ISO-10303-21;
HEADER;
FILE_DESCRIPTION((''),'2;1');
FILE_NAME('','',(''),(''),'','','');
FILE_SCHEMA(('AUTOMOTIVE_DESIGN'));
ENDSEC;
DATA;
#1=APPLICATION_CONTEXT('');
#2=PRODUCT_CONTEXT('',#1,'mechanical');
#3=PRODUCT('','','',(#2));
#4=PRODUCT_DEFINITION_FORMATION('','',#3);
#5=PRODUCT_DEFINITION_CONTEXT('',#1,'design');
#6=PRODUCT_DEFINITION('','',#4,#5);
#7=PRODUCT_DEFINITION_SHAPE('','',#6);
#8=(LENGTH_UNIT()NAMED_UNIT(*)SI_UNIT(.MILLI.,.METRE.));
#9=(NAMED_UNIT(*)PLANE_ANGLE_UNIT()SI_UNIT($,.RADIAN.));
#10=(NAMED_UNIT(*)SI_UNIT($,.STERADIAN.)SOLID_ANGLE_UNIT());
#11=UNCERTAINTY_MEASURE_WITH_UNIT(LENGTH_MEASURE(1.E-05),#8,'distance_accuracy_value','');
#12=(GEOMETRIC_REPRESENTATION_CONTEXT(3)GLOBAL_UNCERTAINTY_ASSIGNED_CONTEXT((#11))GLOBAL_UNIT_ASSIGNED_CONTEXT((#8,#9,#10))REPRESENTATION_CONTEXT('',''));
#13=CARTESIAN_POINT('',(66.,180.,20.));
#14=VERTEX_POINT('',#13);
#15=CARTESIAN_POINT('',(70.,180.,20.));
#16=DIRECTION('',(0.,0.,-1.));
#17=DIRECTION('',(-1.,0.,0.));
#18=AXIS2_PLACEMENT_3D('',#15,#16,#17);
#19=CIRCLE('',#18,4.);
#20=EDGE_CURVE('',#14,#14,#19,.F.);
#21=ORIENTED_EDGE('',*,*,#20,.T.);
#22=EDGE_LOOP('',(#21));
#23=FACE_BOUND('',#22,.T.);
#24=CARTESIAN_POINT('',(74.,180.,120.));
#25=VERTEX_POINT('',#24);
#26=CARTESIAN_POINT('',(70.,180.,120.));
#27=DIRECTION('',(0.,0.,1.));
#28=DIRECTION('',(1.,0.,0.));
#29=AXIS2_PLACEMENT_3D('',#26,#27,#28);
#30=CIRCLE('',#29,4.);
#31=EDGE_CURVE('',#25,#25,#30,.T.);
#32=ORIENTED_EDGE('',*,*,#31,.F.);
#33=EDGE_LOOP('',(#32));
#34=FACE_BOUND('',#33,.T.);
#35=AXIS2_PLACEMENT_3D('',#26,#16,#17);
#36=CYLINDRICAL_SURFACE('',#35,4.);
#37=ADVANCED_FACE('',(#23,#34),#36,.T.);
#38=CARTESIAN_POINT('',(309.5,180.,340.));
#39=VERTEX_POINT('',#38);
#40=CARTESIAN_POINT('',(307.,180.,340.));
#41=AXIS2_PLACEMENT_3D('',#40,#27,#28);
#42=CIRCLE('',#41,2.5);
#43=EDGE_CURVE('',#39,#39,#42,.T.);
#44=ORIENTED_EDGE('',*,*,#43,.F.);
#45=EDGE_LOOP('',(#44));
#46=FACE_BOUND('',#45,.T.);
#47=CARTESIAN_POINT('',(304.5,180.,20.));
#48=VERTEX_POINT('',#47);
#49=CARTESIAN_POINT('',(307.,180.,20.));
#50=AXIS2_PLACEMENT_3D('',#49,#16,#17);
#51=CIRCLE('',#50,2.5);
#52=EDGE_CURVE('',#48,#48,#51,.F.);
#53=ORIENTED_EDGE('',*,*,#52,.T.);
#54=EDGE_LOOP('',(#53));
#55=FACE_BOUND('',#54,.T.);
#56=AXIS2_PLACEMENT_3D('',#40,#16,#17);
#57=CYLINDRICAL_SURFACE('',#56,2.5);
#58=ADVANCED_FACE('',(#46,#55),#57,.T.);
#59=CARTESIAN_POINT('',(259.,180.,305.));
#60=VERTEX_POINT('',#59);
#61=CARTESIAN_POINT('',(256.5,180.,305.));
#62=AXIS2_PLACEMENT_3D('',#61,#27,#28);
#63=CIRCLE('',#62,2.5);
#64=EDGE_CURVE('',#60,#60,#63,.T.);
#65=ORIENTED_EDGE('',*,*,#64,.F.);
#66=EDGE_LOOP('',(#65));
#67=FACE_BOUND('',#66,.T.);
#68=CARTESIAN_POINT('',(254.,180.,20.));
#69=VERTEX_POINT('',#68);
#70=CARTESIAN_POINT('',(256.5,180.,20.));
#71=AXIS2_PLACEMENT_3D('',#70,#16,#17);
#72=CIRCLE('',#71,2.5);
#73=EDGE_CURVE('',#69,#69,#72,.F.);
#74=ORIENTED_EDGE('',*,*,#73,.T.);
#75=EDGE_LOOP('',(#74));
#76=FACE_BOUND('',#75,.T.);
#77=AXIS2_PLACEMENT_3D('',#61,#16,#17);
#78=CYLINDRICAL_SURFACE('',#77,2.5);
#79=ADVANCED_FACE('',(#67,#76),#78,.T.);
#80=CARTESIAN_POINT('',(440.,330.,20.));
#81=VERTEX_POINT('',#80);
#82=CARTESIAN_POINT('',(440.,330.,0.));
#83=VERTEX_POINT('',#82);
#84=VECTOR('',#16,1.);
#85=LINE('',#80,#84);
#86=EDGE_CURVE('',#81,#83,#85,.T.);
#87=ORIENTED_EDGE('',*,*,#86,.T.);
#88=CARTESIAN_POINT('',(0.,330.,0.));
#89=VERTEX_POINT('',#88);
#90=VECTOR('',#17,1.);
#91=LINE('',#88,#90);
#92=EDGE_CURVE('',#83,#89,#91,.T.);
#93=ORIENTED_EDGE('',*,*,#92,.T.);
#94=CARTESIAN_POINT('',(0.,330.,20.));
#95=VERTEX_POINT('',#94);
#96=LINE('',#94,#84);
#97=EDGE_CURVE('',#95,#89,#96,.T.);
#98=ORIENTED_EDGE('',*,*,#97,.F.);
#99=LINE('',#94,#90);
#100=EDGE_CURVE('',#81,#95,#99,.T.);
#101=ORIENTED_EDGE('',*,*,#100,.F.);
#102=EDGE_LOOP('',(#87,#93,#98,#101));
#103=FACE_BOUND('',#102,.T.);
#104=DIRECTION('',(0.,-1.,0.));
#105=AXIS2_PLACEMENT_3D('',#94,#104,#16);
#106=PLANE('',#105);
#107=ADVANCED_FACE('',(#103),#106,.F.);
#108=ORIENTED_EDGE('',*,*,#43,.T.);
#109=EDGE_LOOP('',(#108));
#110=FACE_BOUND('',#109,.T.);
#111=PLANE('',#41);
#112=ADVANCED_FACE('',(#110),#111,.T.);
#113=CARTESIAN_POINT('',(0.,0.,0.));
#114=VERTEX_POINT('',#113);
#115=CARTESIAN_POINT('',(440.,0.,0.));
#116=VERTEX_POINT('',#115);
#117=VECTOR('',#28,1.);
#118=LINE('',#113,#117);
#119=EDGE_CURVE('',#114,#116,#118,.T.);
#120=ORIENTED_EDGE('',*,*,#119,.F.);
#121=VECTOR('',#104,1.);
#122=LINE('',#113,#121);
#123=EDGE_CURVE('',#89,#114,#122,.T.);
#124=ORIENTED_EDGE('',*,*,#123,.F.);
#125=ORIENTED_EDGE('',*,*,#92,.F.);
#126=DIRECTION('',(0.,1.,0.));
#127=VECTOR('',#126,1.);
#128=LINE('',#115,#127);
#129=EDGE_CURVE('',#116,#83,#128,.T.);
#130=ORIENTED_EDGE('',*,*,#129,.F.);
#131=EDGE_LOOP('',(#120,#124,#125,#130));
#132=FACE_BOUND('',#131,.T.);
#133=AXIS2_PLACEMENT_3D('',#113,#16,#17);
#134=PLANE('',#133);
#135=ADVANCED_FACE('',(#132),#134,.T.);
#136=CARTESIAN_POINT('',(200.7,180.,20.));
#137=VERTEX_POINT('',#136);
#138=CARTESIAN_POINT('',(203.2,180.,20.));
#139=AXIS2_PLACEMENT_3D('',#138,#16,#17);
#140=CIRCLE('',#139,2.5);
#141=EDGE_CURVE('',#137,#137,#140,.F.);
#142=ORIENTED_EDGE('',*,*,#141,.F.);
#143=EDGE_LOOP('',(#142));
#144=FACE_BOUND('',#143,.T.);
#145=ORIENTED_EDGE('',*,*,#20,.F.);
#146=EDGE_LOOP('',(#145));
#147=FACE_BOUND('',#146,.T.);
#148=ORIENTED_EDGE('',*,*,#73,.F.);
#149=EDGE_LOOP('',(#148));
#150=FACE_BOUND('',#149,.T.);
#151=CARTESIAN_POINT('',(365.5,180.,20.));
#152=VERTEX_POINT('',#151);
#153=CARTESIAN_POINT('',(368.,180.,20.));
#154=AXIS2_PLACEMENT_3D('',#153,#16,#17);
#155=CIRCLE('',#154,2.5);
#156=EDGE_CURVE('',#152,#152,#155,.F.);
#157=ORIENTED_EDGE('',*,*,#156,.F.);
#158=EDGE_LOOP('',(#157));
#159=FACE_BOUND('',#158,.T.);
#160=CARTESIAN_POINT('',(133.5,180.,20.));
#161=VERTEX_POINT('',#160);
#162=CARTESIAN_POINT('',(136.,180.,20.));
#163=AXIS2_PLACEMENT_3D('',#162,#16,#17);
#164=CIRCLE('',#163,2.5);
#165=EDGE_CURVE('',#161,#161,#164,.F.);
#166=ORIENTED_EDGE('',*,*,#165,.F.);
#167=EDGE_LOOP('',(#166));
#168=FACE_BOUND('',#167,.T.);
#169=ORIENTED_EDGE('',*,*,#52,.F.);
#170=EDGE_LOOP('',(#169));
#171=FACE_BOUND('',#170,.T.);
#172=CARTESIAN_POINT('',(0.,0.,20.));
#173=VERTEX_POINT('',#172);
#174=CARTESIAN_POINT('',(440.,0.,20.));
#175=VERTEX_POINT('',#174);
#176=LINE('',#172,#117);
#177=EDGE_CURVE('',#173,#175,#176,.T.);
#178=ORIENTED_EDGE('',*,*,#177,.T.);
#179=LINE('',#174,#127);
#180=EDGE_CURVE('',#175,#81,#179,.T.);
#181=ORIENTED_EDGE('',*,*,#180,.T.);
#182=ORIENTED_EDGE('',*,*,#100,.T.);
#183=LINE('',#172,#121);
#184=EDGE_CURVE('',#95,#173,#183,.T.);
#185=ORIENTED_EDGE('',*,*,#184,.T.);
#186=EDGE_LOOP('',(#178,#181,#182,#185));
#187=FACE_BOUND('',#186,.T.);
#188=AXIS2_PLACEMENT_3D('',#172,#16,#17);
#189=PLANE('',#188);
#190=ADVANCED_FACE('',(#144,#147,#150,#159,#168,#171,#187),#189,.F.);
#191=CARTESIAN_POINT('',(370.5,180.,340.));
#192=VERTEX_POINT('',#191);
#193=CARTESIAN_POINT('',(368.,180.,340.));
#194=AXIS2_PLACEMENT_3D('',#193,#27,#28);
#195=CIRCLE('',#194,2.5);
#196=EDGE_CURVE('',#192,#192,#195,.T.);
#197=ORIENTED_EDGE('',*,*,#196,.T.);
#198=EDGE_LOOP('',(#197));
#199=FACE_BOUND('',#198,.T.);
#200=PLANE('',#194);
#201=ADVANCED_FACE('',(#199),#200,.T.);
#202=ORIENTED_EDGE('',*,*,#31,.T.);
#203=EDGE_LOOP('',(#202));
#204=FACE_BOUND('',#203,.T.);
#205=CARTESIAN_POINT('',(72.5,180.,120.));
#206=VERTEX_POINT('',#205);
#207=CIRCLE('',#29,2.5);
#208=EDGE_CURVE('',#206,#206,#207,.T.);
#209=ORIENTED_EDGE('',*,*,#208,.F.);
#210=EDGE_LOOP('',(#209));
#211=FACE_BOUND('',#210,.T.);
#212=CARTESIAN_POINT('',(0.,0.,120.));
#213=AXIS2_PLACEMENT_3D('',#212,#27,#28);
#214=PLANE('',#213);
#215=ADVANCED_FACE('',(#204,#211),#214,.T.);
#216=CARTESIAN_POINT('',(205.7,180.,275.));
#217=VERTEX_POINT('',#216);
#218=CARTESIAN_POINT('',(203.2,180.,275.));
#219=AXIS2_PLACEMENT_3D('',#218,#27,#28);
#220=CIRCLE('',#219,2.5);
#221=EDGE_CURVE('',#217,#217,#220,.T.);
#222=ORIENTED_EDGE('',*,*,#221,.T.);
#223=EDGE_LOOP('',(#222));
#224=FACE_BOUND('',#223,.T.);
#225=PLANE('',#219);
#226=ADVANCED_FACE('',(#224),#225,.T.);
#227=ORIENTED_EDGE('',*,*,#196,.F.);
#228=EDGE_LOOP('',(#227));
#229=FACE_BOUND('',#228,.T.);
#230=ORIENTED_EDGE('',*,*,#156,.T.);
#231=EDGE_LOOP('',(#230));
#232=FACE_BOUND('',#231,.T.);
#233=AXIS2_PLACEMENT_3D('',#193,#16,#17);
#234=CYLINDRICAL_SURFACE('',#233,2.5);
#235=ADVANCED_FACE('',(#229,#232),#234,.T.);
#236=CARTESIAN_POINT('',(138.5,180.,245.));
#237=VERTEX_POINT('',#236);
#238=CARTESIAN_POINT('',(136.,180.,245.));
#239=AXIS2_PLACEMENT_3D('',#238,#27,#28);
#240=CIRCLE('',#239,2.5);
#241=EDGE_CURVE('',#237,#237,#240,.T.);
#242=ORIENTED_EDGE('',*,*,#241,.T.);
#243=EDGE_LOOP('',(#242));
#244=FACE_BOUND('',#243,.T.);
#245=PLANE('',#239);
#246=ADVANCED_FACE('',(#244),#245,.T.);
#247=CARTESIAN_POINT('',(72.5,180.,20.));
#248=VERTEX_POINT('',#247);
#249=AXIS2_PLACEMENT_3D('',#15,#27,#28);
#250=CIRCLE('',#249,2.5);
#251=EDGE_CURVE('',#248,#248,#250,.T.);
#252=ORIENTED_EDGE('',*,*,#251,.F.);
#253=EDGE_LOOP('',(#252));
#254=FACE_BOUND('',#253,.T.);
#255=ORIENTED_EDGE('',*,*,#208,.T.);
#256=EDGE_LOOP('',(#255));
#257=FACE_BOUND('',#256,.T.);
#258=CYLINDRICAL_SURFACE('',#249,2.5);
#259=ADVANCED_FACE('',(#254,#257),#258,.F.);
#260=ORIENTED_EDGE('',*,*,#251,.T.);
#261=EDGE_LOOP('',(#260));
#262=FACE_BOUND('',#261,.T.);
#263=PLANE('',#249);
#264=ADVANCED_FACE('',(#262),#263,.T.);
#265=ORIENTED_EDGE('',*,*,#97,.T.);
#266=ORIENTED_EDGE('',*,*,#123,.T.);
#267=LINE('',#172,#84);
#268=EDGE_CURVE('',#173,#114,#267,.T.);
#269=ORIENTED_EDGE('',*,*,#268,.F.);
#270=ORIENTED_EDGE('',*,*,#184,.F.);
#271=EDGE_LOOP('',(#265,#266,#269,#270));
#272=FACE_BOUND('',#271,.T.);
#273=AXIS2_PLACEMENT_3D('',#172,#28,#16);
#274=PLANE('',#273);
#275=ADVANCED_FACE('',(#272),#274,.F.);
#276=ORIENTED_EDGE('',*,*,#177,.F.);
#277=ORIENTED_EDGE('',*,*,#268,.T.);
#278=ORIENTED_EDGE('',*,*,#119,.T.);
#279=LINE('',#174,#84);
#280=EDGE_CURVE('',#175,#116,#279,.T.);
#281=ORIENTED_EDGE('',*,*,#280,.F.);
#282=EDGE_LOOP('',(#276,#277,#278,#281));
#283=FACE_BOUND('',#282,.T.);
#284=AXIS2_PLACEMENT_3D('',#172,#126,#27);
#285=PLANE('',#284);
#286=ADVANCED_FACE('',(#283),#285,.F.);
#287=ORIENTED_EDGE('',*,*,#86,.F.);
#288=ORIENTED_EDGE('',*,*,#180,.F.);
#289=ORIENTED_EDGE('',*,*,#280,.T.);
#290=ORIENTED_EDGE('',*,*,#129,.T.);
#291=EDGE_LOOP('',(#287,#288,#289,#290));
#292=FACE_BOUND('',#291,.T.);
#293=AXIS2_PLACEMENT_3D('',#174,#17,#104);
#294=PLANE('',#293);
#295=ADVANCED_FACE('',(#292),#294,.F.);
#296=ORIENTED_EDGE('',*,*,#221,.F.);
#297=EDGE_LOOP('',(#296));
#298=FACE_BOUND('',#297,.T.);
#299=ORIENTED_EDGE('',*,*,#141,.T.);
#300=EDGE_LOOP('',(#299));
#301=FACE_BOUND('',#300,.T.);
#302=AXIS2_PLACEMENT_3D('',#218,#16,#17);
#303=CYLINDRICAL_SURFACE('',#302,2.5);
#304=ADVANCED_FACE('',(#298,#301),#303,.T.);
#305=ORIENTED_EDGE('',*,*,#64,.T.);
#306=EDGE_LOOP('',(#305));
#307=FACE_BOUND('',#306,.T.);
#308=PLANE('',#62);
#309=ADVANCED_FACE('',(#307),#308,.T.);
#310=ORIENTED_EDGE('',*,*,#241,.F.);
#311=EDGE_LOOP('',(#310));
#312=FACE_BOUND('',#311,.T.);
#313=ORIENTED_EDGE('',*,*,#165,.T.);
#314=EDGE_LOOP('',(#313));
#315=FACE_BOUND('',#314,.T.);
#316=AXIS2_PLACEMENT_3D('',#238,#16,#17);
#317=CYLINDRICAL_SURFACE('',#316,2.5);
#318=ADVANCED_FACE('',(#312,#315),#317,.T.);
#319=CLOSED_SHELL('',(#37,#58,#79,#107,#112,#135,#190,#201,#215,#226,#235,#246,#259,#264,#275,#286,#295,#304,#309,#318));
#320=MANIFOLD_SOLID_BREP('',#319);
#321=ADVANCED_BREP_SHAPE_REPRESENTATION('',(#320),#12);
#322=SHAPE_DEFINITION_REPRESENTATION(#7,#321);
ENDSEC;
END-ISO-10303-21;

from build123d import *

# Parameters (mm, degrees)
CROQUIS1_W              = 440
CROQUIS1_H              = 330
SALIENTE_EXTRUIR1_DEPTH = 20
CROQUIS3_R              = 4
SALIENTE_EXTRUIR2_DEPTH = 100
CROQUIS5_R              = 2.5
CORTAR_EXTRUIR2_DEPTH   = 100
CROQUIS3_3_R            = 2.5
SALIENTE_EXTRUIR3_DEPTH = 225
CROQUIS3_4_R            = 2.5
SALIENTE_EXTRUIR4_DEPTH = 255
CROQUIS3_5_R            = 2.5
SALIENTE_EXTRUIR5_DEPTH = 255
CROQUIS3_6_R            = 2.5
SALIENTE_EXTRUIR6_DEPTH = 285
CROQUIS3_7_R            = 2.5
SALIENTE_EXTRUIR7_DEPTH = 320


with BuildPart() as part:
    # Croquis1 → Saliente-Extruir1 (new body)
    with BuildSketch(Plane.XY):
        with Locations((220, 165)):
            Rectangle(CROQUIS1_W, CROQUIS1_H)
    extrude(amount=SALIENTE_EXTRUIR1_DEPTH)

    # Croquis3 → Saliente-Extruir2 (add)
    with BuildSketch(Plane.XY.offset(20)):
        with Locations((70, 180)):
            Circle(CROQUIS3_R)
    extrude(amount=SALIENTE_EXTRUIR2_DEPTH)

    # Croquis5 → Cortar-Extruir2 (cut)
    with BuildSketch(Plane.XY.offset(120)):
        with Locations((70, 180)):
            Circle(CROQUIS5_R)
    extrude(amount=-CORTAR_EXTRUIR2_DEPTH, mode=Mode.SUBTRACT)

    # Croquis3<3> → Saliente-Extruir3 (add)
    with BuildSketch(Plane.XY.offset(20)):
        with Locations((136, 180)):
            Circle(CROQUIS3_3_R)
    extrude(amount=SALIENTE_EXTRUIR3_DEPTH)

    # Croquis3<4> → Saliente-Extruir4 (add)
    with BuildSketch(Plane.XY.offset(20)):
        with Locations((203.2, 180)):
            Circle(CROQUIS3_4_R)
    extrude(amount=SALIENTE_EXTRUIR4_DEPTH)

    # Croquis3<5> → Saliente-Extruir5 (add)
    with BuildSketch(Plane.XY.offset(20)):
        with Locations((203.2, 180)):
            Circle(CROQUIS3_5_R)
    extrude(amount=SALIENTE_EXTRUIR5_DEPTH)

    # Croquis3<6> → Saliente-Extruir6 (add)
    with BuildSketch(Plane.XY.offset(20)):
        with Locations((256.5, 180)):
            Circle(CROQUIS3_6_R)
    extrude(amount=SALIENTE_EXTRUIR6_DEPTH)

    # Croquis3<7> → Saliente-Extruir7 (add)
    with BuildSketch(Plane.XY.offset(20)):
        with Locations((307, 180)):
            Circle(CROQUIS3_7_R)
        with Locations((368, 180)):
            Circle(CROQUIS3_7_R)
    extrude(amount=SALIENTE_EXTRUIR7_DEPTH)


solid = part.part
